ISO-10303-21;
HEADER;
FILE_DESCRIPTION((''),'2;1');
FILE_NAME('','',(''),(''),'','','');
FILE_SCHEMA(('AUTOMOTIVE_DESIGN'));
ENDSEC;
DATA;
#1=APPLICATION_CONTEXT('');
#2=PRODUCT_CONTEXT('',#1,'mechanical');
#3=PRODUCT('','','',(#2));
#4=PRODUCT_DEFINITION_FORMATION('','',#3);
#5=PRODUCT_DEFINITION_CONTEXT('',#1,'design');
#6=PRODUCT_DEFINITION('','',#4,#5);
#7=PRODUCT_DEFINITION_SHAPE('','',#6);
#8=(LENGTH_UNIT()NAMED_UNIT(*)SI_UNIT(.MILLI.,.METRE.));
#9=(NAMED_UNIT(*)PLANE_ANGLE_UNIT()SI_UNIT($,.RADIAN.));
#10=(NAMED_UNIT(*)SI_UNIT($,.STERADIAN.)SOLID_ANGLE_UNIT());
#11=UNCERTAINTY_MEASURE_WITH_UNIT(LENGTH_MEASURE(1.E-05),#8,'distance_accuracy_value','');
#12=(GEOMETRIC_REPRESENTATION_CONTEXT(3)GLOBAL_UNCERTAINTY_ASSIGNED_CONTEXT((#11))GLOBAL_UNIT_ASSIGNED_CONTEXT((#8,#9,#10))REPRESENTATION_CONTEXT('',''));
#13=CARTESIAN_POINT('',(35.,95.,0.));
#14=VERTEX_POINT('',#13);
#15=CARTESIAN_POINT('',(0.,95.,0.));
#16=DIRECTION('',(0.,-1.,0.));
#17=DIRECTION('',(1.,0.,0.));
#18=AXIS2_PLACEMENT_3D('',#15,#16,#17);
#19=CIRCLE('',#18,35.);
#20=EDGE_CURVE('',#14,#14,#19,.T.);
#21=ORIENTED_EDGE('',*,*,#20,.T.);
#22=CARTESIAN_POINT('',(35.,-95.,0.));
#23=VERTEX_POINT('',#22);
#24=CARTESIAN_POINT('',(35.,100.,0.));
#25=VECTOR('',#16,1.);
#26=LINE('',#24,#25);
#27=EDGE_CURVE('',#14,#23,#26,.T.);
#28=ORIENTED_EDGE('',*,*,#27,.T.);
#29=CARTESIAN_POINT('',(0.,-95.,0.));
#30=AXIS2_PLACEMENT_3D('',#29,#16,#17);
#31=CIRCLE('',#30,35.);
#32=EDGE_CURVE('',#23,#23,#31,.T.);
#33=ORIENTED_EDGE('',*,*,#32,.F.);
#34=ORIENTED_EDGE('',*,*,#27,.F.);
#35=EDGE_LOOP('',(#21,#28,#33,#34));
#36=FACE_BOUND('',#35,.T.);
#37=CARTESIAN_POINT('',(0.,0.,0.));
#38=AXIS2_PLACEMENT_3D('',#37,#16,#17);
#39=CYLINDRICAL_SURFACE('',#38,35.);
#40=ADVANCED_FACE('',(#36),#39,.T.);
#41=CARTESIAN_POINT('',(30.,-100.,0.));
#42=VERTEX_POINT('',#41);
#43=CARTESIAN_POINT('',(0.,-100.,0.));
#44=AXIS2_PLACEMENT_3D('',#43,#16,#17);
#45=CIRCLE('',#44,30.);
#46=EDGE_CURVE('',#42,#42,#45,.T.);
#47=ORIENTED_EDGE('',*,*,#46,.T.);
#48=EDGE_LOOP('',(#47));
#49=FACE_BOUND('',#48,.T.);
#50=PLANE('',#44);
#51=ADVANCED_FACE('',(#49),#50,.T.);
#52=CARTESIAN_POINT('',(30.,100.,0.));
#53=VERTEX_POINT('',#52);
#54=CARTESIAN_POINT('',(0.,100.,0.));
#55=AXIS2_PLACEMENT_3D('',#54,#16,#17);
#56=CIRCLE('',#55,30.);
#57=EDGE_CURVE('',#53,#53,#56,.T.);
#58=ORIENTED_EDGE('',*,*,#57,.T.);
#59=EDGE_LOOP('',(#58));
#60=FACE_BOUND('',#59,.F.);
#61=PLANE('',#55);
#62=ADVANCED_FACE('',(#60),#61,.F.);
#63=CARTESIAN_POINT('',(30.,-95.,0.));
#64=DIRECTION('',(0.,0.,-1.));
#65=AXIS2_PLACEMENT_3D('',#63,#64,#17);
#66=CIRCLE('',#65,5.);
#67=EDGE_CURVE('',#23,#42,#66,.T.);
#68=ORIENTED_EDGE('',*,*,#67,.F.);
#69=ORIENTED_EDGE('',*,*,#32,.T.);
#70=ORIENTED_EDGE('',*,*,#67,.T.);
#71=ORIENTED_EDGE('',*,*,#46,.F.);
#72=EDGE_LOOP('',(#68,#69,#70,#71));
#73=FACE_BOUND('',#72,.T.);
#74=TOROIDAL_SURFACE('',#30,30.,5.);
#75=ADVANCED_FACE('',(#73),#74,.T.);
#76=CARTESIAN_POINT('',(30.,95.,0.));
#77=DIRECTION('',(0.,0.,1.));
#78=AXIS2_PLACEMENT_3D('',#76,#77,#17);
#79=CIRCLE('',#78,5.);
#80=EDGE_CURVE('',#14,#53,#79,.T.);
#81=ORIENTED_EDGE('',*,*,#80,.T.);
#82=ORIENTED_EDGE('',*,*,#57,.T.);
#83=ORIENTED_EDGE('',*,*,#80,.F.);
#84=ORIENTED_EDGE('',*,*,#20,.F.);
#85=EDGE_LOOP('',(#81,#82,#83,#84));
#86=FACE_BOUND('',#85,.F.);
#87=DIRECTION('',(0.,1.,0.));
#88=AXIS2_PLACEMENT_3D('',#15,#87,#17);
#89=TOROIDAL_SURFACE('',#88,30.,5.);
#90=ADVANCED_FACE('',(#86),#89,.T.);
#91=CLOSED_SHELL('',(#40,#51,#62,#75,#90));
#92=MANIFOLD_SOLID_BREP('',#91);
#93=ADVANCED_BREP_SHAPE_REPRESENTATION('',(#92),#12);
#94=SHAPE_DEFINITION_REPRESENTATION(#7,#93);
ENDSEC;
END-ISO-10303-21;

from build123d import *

# Parameters (mm, degrees)
F0_R          = 35
F1_DEPTH      = 100
F1_DEPTH_BACK = 100
F2_R          = 5


with BuildPart() as f1:
    # F0 (on Front) → F1 (new body, two sides)
    with BuildSketch(Plane.XZ) as f1_sk:
        Circle(F0_R)
    extrude(amount=F1_DEPTH)
    extrude(f1_sk.sketch, amount=-F1_DEPTH_BACK)

    # F2
    f2_edges = [f1.edges().sort_by_distance(p)[0] for p in [
        (-35, -100, 0),
        (-35, 100, 0),
    ]]
    fillet(f2_edges, radius=F2_R)


solid = f1.part
